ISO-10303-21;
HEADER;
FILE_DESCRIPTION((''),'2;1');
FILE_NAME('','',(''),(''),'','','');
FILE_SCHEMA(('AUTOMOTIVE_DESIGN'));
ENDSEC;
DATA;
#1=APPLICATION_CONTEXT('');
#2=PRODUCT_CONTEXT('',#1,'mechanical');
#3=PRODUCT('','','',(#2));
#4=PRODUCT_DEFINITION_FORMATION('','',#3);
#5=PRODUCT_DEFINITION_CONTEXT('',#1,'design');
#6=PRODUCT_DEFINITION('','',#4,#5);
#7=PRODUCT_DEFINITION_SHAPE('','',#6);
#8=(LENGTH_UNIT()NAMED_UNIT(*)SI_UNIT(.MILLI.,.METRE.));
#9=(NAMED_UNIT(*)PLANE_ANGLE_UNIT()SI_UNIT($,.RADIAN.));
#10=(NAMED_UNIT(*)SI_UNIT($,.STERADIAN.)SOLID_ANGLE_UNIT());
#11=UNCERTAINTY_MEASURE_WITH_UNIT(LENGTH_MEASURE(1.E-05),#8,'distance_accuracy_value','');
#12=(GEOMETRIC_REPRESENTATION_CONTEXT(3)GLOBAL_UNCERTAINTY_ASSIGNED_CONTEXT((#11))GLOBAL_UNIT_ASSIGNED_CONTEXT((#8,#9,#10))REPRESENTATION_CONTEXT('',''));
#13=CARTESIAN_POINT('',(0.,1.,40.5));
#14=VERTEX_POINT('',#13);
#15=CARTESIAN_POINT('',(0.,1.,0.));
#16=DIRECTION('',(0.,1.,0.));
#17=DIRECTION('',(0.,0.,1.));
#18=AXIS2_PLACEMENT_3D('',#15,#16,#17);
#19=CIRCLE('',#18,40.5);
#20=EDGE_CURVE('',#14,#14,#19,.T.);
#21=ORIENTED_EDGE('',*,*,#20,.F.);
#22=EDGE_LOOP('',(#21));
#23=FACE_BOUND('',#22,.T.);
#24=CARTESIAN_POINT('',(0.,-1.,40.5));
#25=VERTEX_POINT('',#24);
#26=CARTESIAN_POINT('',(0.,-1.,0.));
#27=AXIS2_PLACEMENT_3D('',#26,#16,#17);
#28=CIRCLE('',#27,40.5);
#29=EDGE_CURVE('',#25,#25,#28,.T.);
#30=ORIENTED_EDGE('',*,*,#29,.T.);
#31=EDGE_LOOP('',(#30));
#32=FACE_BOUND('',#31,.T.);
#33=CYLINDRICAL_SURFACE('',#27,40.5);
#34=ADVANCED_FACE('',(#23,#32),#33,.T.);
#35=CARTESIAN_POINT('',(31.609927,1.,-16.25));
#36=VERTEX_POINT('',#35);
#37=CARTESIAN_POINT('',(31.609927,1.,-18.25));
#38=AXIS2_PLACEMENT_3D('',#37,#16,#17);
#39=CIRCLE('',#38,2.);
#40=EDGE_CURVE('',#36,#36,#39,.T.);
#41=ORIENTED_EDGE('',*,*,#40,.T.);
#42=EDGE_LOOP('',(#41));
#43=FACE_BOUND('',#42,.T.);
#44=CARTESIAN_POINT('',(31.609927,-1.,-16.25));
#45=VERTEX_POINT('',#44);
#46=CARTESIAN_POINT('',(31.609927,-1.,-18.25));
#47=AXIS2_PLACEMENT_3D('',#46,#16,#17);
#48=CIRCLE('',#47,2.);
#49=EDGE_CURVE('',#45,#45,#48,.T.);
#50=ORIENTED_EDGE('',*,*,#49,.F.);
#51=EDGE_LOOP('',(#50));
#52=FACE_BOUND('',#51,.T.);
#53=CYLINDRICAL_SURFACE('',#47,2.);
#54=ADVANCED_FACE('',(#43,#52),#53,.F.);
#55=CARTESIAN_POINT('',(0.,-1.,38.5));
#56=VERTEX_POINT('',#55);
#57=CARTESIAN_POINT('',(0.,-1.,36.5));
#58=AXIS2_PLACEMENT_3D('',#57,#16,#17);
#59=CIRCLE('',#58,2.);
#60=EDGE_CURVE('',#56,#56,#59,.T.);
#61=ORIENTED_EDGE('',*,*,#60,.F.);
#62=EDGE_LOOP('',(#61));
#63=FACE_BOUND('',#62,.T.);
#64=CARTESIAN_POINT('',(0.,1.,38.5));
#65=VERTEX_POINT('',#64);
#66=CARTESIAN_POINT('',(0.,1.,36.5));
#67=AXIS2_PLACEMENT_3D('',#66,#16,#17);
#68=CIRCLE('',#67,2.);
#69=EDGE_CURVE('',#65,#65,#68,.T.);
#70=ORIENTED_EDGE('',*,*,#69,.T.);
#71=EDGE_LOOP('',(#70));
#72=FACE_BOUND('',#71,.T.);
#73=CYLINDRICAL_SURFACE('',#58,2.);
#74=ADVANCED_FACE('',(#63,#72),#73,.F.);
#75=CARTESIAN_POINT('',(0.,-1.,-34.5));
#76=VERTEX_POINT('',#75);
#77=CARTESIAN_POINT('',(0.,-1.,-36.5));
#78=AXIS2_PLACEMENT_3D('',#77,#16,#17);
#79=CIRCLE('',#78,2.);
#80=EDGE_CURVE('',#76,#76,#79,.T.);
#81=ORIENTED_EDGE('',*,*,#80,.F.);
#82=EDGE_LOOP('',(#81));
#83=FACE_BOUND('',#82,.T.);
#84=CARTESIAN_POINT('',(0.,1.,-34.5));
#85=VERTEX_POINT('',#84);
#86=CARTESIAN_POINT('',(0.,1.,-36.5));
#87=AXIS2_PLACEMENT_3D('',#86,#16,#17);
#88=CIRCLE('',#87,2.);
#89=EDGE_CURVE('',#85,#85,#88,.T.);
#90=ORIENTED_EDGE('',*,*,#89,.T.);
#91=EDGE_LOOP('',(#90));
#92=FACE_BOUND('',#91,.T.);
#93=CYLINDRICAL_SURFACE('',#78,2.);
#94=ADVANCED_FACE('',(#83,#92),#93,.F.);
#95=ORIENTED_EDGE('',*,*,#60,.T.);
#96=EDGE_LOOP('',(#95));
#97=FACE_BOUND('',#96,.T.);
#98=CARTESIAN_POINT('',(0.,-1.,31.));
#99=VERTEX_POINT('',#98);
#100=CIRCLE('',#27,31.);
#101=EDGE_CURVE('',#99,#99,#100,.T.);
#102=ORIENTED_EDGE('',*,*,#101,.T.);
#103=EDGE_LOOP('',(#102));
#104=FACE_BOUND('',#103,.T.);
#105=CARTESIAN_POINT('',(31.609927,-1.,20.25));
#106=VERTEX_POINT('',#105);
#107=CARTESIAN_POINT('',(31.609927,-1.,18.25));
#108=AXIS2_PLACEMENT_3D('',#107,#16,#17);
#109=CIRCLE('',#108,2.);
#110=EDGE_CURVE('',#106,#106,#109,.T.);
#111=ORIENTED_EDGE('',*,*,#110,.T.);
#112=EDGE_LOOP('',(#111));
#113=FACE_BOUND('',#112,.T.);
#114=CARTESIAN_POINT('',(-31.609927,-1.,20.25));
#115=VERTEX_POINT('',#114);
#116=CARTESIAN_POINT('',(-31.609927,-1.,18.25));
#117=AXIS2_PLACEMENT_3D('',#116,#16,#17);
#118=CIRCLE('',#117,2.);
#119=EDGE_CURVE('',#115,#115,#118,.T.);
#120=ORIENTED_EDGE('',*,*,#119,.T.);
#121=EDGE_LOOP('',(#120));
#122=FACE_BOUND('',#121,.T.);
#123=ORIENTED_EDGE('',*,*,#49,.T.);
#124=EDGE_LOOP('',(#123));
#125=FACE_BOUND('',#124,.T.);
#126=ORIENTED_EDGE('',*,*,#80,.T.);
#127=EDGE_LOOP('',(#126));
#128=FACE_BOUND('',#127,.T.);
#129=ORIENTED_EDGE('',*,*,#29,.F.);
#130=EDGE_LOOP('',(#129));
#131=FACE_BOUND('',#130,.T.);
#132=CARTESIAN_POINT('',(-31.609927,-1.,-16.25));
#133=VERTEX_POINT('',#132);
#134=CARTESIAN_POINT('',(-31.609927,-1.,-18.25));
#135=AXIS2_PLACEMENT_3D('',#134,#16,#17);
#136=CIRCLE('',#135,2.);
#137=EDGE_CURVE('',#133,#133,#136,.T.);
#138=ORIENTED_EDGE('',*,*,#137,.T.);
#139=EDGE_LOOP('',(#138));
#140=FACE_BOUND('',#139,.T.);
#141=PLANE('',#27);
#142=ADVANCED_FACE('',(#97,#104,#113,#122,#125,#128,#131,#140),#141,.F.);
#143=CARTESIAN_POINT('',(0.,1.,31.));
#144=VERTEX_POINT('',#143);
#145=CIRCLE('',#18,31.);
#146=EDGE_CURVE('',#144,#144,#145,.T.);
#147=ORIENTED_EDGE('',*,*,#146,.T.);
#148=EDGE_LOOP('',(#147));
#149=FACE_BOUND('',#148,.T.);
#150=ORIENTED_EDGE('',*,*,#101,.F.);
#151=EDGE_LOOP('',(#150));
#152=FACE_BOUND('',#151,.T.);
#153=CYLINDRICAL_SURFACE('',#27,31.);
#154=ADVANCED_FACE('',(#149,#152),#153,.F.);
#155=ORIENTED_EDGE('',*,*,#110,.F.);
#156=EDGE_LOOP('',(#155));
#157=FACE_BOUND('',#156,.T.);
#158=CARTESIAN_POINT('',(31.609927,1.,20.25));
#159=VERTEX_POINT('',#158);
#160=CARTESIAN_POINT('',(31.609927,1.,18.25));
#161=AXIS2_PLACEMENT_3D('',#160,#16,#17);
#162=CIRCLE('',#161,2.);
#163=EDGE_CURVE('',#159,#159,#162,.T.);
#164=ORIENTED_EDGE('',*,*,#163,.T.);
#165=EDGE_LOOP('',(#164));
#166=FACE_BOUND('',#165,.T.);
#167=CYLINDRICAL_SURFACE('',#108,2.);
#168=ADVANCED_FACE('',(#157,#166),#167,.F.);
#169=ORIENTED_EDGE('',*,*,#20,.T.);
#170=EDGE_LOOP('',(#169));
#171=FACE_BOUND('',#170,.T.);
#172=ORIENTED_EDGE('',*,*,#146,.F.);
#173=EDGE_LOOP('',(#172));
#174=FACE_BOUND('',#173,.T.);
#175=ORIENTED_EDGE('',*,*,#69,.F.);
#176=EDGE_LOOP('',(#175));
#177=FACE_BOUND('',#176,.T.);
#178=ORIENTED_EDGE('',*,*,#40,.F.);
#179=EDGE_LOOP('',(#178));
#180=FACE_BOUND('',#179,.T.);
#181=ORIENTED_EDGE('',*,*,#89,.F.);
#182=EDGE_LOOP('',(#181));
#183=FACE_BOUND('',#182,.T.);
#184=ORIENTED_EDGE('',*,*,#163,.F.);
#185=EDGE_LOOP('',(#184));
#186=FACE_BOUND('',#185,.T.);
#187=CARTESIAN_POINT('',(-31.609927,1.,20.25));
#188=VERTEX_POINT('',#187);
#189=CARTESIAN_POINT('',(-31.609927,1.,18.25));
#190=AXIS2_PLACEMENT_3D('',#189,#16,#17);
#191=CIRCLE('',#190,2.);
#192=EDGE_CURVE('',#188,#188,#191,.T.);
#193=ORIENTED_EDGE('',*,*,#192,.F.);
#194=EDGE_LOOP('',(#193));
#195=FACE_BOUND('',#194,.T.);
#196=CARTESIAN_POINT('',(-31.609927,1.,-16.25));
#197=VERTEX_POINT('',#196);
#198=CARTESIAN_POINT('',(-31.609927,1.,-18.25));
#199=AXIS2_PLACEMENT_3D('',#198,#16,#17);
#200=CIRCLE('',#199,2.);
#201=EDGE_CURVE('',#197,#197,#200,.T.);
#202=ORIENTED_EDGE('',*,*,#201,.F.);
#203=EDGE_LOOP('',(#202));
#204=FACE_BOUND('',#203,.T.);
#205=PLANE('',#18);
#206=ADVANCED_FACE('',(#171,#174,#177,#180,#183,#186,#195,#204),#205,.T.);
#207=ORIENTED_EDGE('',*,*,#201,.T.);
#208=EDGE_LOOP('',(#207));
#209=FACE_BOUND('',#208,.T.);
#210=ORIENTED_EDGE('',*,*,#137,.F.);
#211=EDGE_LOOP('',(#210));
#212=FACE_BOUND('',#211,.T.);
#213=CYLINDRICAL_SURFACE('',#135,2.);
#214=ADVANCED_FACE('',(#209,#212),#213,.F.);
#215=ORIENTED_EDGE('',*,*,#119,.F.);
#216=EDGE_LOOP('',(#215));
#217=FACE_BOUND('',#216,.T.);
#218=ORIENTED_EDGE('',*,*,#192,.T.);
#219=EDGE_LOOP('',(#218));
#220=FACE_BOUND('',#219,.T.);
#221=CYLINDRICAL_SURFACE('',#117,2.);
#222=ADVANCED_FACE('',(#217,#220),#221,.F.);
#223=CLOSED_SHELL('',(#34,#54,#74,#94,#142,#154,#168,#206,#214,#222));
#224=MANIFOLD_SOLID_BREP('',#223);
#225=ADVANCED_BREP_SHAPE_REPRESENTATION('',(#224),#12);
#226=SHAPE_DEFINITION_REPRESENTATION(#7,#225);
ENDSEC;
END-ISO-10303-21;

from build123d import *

# Parameters (mm, degrees)
SKETCH1_R           = 40.5
SKETCH1_R_2         = 31
SKETCH1_R_3         = 2
BOSS_EXTRUDE1_DEPTH = 1


with BuildPart() as part:
    # Sketch1 → Boss-Extrude1 (new, symmetric)
    with BuildSketch(Plane(origin=(0, 0, 0), x_dir=(1, 0, 0), z_dir=(0, 1, 0))):
        with Locations(Location((0, 0, 0), (0, 0, 270))):
            Circle(SKETCH1_R)
        with Locations(Location((0, 0, 0), (0, 0, 270))):
            Circle(SKETCH1_R_2, mode=Mode.SUBTRACT)
        with Locations(Location((0, 36.5, 0), (0, 0, 270))):
            Circle(SKETCH1_R_3, mode=Mode.SUBTRACT)
        with Locations(Location((31.609927238, 18.25, 0), (0, 0, 270))):
            Circle(SKETCH1_R_3, mode=Mode.SUBTRACT)
        with Locations(Location((31.609927238, -18.25, 0), (0, 0, 270))):
            Circle(SKETCH1_R_3, mode=Mode.SUBTRACT)
        with Locations(Location((0, -36.5, 0), (0, 0, 270))):
            Circle(SKETCH1_R_3, mode=Mode.SUBTRACT)
        with Locations(Location((-31.609927238, -18.25, 0), (0, 0, 270))):
            Circle(SKETCH1_R_3, mode=Mode.SUBTRACT)
        with Locations(Location((-31.609927238, 18.25, 0), (0, 0, 270))):
            Circle(SKETCH1_R_3, mode=Mode.SUBTRACT)
    extrude(amount=BOSS_EXTRUDE1_DEPTH, both=True)


solid = part.part
